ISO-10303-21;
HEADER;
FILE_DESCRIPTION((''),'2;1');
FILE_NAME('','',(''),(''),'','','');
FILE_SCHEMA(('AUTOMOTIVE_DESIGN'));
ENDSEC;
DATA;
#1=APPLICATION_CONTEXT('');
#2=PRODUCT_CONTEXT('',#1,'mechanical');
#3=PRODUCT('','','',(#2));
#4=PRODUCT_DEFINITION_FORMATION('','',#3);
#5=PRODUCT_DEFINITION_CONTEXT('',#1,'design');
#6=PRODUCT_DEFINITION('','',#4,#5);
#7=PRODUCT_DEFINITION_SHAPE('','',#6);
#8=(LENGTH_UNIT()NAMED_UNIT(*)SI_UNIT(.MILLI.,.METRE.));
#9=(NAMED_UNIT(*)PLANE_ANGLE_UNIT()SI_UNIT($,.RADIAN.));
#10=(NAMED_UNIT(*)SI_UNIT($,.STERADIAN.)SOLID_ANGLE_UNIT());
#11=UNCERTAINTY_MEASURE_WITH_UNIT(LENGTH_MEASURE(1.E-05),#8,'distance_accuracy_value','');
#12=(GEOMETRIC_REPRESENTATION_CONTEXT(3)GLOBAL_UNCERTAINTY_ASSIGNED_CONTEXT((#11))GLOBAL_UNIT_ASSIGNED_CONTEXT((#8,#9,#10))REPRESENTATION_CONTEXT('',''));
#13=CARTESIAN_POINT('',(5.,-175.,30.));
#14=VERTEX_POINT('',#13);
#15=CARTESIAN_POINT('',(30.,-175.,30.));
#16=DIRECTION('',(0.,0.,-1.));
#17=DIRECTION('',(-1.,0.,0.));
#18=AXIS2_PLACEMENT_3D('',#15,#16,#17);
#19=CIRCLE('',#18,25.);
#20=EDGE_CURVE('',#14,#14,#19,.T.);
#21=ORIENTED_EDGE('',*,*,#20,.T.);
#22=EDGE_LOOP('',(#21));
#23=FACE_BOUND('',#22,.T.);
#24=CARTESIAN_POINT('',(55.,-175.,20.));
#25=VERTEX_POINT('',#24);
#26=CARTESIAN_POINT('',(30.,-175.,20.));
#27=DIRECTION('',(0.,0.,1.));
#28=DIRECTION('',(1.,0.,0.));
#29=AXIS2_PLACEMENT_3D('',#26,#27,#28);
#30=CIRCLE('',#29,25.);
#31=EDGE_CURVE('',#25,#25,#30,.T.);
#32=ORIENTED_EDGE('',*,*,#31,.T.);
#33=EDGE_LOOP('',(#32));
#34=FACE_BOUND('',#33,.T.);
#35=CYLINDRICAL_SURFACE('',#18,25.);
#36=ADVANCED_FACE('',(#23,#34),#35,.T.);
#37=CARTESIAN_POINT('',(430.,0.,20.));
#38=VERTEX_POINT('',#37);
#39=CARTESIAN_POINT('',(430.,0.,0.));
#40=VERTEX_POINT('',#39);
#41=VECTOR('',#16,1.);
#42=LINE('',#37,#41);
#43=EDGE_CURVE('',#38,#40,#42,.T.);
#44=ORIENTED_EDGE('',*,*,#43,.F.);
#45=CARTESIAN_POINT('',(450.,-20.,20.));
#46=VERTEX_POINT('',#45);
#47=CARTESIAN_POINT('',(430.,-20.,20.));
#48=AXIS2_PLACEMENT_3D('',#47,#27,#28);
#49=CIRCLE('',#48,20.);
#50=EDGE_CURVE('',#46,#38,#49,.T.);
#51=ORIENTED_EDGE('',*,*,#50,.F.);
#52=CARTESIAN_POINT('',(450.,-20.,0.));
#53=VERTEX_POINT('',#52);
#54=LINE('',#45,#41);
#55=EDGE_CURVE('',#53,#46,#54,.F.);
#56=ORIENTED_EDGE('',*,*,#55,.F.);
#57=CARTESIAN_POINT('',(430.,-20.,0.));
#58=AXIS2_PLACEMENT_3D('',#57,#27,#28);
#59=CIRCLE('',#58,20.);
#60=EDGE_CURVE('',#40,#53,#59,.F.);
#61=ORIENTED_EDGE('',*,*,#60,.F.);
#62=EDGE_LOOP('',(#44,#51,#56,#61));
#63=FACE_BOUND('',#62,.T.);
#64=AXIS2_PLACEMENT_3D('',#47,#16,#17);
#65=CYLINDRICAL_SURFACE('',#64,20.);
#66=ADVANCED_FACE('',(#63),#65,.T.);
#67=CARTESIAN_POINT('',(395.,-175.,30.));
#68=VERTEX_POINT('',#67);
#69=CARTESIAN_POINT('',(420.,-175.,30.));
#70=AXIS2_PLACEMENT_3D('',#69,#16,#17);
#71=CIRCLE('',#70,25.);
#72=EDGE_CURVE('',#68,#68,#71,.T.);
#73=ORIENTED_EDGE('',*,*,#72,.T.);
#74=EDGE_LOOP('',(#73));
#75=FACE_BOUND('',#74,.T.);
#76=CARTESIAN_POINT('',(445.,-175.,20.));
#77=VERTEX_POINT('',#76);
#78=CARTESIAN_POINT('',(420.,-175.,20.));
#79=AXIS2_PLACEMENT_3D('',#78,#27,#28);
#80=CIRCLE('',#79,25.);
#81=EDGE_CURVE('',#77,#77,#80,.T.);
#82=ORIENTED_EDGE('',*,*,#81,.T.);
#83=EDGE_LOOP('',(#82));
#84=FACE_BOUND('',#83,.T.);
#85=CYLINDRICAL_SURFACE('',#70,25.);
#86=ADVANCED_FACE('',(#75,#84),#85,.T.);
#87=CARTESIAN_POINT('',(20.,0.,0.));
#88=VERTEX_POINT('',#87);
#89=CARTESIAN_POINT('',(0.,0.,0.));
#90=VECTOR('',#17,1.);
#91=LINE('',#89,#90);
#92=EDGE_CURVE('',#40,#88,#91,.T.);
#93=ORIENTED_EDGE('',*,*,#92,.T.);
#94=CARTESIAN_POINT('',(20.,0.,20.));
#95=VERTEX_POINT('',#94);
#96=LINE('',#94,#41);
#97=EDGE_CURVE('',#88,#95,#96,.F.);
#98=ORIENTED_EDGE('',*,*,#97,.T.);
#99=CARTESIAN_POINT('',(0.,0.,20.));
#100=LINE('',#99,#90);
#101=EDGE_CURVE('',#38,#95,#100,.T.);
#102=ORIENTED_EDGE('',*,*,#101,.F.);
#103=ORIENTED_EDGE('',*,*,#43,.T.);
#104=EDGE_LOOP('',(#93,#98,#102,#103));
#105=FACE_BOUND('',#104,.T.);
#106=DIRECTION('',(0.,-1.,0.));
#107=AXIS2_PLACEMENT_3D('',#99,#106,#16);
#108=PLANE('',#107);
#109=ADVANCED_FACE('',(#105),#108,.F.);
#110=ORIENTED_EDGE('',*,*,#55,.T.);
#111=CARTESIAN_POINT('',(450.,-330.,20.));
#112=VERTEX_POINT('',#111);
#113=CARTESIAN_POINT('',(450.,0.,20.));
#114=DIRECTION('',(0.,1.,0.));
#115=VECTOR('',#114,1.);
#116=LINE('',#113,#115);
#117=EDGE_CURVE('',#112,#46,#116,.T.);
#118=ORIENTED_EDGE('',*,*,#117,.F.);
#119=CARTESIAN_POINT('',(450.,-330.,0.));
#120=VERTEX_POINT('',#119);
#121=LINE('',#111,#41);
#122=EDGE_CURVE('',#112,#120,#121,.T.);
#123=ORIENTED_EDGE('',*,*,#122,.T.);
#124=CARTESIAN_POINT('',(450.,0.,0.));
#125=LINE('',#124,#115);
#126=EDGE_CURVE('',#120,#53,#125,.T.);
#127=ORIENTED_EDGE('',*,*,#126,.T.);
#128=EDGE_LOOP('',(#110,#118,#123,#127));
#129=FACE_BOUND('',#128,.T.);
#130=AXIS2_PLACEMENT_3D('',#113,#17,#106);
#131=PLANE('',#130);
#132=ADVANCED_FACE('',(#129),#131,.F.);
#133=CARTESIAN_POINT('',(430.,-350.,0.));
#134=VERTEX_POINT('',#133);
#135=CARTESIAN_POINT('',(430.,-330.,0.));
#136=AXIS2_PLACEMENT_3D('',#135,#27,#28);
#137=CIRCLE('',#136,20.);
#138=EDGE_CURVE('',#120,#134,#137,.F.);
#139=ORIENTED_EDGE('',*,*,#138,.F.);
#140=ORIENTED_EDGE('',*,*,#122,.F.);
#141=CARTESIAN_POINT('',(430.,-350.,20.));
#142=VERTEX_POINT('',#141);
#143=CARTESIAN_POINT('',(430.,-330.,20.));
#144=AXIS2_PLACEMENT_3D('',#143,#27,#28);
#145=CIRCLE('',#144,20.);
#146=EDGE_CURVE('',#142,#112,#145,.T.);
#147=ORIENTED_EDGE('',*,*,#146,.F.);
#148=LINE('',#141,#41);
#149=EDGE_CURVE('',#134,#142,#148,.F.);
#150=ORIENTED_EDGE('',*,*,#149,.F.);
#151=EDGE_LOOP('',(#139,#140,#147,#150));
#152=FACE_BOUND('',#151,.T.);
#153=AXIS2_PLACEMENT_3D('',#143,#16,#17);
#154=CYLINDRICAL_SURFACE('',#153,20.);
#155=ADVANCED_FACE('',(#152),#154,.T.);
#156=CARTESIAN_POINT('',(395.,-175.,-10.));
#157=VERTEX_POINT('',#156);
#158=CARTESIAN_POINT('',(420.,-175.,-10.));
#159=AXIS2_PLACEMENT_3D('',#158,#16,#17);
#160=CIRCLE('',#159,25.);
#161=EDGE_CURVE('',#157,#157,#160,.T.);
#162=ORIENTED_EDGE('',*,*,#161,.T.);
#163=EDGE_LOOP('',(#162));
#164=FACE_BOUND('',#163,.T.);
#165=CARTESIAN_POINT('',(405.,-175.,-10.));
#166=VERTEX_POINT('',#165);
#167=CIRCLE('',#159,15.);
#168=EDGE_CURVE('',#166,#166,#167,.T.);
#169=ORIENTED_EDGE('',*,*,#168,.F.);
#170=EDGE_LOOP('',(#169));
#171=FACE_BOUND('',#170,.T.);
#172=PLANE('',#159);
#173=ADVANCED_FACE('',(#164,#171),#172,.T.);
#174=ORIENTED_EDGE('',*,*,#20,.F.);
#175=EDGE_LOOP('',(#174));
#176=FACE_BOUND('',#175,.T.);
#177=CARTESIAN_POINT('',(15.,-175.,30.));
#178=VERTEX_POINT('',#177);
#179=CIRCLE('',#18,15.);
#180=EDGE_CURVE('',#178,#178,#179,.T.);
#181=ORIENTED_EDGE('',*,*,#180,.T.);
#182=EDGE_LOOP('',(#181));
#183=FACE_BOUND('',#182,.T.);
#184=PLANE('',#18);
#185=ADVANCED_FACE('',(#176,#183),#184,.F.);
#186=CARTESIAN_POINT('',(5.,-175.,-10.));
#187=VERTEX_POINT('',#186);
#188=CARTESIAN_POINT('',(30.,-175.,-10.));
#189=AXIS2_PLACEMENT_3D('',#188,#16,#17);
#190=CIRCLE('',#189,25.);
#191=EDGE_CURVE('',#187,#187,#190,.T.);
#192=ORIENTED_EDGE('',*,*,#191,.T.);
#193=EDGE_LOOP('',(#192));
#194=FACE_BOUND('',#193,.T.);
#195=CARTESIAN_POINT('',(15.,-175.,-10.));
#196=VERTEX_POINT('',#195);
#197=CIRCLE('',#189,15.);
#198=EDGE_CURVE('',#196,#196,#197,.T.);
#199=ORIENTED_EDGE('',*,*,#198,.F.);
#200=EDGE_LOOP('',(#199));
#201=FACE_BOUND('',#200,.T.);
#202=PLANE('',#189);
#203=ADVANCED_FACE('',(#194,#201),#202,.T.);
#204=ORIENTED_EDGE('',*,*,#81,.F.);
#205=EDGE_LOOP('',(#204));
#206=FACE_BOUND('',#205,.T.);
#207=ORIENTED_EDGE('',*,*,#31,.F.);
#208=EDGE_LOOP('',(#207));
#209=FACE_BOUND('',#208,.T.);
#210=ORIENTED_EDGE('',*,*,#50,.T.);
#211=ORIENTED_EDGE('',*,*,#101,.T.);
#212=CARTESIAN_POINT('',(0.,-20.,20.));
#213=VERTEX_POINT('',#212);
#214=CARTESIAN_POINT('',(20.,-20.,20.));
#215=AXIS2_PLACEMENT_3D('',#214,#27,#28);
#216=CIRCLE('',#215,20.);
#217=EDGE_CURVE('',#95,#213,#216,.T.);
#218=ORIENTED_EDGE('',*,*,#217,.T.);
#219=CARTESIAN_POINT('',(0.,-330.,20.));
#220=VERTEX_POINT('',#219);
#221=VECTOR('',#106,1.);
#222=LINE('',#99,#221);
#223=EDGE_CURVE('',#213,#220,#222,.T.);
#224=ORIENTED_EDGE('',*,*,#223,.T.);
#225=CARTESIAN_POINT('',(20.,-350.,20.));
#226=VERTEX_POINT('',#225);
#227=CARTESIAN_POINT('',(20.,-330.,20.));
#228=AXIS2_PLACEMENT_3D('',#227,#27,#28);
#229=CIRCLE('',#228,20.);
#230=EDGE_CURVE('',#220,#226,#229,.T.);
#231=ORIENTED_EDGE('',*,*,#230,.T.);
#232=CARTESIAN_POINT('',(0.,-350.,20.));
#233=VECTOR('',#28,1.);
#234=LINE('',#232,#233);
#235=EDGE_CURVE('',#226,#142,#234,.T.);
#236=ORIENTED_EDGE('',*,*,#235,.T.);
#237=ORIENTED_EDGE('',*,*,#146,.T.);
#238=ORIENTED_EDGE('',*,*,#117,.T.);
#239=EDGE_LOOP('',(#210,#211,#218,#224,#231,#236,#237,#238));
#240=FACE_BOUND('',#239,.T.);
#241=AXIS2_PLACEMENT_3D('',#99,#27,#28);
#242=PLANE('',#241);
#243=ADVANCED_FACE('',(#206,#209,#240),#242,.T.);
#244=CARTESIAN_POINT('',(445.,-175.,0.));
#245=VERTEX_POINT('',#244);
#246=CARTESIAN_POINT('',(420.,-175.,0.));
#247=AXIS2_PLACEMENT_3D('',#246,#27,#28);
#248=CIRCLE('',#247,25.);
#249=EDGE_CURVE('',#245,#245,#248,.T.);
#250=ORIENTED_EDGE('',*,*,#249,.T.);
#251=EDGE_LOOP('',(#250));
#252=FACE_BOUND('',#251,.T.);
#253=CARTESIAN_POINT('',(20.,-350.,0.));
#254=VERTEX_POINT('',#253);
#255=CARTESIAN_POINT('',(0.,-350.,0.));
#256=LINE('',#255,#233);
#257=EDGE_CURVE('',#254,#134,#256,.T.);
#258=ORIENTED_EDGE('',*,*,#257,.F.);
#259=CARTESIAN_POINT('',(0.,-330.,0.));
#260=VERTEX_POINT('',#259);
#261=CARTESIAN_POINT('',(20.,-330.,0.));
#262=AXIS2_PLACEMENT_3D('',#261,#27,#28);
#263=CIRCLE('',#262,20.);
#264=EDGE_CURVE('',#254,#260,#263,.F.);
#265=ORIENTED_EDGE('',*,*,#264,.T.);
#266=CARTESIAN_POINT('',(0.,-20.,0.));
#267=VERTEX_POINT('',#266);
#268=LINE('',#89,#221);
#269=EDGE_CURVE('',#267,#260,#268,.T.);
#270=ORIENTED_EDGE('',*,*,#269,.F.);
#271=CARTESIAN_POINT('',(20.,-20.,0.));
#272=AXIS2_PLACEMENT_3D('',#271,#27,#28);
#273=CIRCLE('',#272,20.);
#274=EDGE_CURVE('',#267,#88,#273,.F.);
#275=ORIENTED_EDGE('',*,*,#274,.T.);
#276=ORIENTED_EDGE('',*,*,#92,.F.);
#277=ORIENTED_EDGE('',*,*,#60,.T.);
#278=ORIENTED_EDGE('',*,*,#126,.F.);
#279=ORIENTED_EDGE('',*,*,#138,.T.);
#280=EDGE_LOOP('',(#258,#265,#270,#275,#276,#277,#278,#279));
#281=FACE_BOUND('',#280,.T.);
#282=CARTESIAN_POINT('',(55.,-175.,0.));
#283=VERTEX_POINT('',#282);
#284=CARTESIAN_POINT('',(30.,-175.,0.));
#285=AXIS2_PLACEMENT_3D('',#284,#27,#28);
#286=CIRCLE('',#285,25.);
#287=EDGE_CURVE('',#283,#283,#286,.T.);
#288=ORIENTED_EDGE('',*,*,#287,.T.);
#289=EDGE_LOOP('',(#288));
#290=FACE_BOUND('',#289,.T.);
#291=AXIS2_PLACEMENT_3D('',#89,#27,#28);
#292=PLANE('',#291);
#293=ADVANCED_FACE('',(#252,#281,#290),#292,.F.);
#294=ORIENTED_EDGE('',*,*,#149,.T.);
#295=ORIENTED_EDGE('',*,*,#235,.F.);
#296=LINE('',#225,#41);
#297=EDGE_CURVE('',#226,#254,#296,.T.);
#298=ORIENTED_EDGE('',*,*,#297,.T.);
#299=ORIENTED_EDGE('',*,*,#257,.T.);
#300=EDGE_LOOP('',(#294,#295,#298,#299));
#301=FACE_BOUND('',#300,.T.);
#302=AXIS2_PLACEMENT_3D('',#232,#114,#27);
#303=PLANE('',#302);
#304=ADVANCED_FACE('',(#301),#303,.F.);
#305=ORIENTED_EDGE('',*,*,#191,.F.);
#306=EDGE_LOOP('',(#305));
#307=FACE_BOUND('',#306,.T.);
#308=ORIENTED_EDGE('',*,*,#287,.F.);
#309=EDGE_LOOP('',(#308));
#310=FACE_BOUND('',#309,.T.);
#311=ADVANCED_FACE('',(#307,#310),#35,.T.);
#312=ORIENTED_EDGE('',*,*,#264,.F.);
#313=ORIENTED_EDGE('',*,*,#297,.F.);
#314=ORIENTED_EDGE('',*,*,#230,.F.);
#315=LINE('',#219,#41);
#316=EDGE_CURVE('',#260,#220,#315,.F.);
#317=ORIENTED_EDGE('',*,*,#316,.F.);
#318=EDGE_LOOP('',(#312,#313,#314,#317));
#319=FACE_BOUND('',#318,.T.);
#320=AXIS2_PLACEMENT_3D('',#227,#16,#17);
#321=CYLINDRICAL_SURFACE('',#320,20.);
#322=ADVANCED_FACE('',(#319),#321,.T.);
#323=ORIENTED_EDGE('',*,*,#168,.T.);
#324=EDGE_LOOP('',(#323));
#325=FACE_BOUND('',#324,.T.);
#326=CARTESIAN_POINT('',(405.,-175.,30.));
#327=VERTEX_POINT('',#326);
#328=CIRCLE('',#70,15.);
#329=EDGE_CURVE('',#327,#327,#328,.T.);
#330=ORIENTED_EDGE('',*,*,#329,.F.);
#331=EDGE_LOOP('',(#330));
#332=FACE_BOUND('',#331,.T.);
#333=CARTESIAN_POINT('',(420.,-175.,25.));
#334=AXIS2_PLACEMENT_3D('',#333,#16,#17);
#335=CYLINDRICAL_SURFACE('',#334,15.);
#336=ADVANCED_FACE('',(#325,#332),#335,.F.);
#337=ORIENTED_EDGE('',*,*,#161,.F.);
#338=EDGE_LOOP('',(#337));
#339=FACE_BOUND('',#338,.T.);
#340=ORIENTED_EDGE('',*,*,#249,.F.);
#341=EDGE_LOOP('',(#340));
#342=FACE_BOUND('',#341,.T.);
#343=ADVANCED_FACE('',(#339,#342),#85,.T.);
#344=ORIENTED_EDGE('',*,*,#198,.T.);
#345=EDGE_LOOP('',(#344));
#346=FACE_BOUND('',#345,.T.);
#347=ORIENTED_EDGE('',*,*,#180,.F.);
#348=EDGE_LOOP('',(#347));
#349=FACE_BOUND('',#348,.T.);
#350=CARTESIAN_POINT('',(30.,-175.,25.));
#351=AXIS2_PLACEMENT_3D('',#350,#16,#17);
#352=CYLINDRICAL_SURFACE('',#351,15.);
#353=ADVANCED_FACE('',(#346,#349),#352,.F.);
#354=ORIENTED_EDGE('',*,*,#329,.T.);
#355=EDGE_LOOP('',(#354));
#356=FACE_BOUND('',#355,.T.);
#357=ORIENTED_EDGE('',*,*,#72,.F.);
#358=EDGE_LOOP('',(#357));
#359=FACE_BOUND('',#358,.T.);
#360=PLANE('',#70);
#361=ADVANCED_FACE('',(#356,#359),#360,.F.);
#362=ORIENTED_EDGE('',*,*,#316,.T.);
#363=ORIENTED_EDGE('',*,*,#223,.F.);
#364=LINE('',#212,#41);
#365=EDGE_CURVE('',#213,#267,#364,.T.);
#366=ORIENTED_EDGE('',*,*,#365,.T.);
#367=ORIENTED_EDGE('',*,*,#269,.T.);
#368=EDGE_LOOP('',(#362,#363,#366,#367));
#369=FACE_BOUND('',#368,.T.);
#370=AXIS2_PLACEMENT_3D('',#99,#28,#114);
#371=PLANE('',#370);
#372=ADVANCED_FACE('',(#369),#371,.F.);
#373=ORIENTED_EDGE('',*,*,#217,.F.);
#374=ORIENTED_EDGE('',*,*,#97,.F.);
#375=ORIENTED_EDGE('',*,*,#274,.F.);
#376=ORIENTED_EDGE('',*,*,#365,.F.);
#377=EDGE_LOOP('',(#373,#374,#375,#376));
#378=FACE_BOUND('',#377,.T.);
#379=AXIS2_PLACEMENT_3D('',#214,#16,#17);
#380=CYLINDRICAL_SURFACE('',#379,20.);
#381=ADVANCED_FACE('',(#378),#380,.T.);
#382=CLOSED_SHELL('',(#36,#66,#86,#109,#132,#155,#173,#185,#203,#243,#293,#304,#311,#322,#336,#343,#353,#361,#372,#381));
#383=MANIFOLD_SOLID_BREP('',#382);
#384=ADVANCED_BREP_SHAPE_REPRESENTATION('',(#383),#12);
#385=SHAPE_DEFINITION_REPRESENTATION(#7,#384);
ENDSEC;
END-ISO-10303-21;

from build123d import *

# Parameters (mm, degrees)
SKETCH1_W                = 450
SKETCH1_H                = 350
BOSS_EXTRUDE1_DEPTH      = 20
SKETCH2_R                = 15
CUT_EXTRUDE1_DEPTH       = 25
BOSS_EXTRUDE2_DEPTH      = 10
BOSS_EXTRUDE2_DEPTH_BACK = 30
SKETCH3_R                = 25
SKETCH3_R_2              = 15
FILLET1_R                = 20


with BuildPart() as part:
    # Sketch1 → Boss-Extrude1 (new body)
    with BuildSketch(Plane.XY):
        with Locations((225, -175)):
            Rectangle(SKETCH1_W, SKETCH1_H)
    extrude(amount=BOSS_EXTRUDE1_DEPTH)

    # Sketch2 → Cut-Extrude1 (cut)
    with BuildSketch(Plane(origin=(0, 0, 0), x_dir=(-1, 0, 0), z_dir=(0, 0, -1))):
        with Locations((-420, -175)):
            Circle(SKETCH2_R)
        with Locations((-30, -175)):
            Circle(SKETCH2_R)
    extrude(amount=-CUT_EXTRUDE1_DEPTH, mode=Mode.SUBTRACT)

    # Sketch3 → Boss-Extrude2 (add, two sides: drawn at the far end of the back side and taken through both)
    # profile 1 of 2: a face of its own
    with BuildSketch(Plane(origin=(0, 0, 0), x_dir=(-1, 0, 0), z_dir=(0, 0, -1)).offset(-BOSS_EXTRUDE2_DEPTH_BACK)):
        with Locations((-420, -175)):
            Circle(SKETCH3_R)
        with Locations((-420, -175)):
            Circle(SKETCH3_R_2, mode=Mode.SUBTRACT)
    # profile 2 of 2: a face of its own
    with BuildSketch(Plane(origin=(0, 0, 0), x_dir=(-1, 0, 0), z_dir=(0, 0, -1)).offset(-BOSS_EXTRUDE2_DEPTH_BACK)):
        with Locations((-30, -175)):
            Circle(SKETCH3_R)
        with Locations((-30, -175)):
            Circle(SKETCH3_R_2, mode=Mode.SUBTRACT)
    extrude(amount=BOSS_EXTRUDE2_DEPTH + BOSS_EXTRUDE2_DEPTH_BACK)

    # Fillet1
    fillet1_edges = [part.edges().sort_by_distance(p)[0] for p in [
        (0, 0, 10),
        (450, 0, 10),
        (450, -350, 10),
        (0, -350, 10),
    ]]
    fillet(fillet1_edges, radius=FILLET1_R)


solid = part.part
